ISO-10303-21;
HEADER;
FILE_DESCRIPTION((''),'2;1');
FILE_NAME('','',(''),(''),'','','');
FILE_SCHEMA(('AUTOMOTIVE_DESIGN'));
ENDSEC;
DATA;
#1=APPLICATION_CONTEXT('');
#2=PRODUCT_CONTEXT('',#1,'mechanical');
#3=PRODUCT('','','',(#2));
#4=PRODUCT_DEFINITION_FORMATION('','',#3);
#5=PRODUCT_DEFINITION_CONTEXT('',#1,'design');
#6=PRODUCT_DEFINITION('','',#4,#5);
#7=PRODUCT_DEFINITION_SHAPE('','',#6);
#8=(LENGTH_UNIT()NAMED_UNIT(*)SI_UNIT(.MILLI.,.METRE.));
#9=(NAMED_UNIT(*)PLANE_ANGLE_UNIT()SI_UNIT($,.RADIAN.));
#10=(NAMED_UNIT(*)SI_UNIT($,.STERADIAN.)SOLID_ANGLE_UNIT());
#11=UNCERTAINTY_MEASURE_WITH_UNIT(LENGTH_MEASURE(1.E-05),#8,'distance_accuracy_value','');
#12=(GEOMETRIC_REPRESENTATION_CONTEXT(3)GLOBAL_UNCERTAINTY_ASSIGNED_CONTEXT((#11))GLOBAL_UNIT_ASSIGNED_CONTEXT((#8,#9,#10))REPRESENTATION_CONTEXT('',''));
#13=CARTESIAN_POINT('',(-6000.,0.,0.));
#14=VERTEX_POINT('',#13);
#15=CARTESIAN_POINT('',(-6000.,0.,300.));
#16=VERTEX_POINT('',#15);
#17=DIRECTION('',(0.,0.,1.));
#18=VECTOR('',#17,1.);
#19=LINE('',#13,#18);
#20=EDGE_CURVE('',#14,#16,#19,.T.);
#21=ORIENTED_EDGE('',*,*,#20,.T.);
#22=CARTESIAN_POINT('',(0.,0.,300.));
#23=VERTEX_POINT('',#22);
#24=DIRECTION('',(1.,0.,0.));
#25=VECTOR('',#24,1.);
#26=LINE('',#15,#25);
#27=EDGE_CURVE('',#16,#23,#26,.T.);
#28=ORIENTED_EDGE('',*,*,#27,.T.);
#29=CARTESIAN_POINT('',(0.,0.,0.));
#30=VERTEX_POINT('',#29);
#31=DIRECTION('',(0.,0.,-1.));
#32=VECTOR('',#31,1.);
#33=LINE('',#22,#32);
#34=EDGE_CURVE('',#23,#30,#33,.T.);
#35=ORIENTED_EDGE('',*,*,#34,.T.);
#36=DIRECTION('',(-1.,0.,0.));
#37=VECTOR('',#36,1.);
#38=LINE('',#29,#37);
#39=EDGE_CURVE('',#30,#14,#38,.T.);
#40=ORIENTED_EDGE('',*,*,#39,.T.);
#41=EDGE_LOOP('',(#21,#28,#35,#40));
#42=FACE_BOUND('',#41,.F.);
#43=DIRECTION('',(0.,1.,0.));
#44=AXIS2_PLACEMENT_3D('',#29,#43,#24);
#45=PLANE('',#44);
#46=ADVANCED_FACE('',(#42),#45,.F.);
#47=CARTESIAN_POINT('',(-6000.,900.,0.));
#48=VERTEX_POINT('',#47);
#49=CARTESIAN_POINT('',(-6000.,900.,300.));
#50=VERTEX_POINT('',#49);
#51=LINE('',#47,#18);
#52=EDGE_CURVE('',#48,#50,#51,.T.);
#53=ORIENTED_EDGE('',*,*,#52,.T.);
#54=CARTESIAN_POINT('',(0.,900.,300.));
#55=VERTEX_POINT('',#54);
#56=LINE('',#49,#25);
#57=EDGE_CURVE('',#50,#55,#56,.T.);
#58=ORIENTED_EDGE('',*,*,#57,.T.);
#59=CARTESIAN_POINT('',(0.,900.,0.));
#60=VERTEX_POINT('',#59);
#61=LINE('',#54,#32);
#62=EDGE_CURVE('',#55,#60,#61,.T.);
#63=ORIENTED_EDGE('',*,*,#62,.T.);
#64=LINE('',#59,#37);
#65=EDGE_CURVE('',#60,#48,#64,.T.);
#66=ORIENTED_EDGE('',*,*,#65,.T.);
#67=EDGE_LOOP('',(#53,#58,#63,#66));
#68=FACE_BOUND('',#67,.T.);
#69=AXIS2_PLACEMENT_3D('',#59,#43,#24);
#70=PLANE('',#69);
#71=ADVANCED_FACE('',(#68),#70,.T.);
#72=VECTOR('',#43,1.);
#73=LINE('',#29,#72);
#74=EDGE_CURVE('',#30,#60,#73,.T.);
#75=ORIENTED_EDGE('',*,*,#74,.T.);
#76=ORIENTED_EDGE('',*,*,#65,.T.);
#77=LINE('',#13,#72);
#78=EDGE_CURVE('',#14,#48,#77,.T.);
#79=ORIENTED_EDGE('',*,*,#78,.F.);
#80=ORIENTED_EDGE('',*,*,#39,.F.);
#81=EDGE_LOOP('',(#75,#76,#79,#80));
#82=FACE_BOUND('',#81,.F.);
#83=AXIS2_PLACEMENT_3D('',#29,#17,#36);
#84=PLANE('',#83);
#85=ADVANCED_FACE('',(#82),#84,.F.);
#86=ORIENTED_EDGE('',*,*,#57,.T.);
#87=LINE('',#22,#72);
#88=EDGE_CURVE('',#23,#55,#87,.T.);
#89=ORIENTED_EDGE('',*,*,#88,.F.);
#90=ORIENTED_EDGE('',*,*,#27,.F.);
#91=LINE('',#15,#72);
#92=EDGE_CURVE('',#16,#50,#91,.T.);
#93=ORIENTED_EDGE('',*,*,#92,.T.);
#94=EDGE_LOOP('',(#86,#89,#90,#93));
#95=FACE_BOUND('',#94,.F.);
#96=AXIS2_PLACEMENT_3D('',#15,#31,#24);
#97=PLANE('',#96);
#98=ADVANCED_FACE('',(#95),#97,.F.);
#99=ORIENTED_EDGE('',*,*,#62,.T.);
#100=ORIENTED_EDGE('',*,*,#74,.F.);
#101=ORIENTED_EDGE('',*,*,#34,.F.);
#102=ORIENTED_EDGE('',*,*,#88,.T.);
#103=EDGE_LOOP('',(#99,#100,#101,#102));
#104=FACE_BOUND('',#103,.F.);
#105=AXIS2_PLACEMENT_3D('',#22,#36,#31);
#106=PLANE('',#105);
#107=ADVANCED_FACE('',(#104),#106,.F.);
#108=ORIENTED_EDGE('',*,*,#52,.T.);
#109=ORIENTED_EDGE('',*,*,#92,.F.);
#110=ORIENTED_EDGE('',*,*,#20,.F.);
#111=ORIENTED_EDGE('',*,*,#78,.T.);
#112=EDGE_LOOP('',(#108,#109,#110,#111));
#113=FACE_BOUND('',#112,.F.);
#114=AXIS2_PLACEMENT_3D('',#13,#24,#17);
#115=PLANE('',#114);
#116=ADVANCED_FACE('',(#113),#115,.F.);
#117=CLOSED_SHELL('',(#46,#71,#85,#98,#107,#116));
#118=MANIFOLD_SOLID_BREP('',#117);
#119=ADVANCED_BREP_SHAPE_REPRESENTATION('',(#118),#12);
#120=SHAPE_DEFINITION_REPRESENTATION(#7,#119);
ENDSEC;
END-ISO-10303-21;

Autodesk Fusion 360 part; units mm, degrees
sketch "スケッチ1" plane through (0, 0, 0) normal (0, 1, 0) x (1, 0, 0)
  line L0 (0, 0) -> (-6000, 0)
  line L1 (-6000, 0) -> (-6000, -300)
  line L2 (-6000, -300) -> (0, -300)
  line L3 (0, -300) -> (0, 0)
  dimension "d1" = 6000
  dimension "d2" = 300
extrude "押し出し1" add sketch "スケッチ1" along normal blind 900
